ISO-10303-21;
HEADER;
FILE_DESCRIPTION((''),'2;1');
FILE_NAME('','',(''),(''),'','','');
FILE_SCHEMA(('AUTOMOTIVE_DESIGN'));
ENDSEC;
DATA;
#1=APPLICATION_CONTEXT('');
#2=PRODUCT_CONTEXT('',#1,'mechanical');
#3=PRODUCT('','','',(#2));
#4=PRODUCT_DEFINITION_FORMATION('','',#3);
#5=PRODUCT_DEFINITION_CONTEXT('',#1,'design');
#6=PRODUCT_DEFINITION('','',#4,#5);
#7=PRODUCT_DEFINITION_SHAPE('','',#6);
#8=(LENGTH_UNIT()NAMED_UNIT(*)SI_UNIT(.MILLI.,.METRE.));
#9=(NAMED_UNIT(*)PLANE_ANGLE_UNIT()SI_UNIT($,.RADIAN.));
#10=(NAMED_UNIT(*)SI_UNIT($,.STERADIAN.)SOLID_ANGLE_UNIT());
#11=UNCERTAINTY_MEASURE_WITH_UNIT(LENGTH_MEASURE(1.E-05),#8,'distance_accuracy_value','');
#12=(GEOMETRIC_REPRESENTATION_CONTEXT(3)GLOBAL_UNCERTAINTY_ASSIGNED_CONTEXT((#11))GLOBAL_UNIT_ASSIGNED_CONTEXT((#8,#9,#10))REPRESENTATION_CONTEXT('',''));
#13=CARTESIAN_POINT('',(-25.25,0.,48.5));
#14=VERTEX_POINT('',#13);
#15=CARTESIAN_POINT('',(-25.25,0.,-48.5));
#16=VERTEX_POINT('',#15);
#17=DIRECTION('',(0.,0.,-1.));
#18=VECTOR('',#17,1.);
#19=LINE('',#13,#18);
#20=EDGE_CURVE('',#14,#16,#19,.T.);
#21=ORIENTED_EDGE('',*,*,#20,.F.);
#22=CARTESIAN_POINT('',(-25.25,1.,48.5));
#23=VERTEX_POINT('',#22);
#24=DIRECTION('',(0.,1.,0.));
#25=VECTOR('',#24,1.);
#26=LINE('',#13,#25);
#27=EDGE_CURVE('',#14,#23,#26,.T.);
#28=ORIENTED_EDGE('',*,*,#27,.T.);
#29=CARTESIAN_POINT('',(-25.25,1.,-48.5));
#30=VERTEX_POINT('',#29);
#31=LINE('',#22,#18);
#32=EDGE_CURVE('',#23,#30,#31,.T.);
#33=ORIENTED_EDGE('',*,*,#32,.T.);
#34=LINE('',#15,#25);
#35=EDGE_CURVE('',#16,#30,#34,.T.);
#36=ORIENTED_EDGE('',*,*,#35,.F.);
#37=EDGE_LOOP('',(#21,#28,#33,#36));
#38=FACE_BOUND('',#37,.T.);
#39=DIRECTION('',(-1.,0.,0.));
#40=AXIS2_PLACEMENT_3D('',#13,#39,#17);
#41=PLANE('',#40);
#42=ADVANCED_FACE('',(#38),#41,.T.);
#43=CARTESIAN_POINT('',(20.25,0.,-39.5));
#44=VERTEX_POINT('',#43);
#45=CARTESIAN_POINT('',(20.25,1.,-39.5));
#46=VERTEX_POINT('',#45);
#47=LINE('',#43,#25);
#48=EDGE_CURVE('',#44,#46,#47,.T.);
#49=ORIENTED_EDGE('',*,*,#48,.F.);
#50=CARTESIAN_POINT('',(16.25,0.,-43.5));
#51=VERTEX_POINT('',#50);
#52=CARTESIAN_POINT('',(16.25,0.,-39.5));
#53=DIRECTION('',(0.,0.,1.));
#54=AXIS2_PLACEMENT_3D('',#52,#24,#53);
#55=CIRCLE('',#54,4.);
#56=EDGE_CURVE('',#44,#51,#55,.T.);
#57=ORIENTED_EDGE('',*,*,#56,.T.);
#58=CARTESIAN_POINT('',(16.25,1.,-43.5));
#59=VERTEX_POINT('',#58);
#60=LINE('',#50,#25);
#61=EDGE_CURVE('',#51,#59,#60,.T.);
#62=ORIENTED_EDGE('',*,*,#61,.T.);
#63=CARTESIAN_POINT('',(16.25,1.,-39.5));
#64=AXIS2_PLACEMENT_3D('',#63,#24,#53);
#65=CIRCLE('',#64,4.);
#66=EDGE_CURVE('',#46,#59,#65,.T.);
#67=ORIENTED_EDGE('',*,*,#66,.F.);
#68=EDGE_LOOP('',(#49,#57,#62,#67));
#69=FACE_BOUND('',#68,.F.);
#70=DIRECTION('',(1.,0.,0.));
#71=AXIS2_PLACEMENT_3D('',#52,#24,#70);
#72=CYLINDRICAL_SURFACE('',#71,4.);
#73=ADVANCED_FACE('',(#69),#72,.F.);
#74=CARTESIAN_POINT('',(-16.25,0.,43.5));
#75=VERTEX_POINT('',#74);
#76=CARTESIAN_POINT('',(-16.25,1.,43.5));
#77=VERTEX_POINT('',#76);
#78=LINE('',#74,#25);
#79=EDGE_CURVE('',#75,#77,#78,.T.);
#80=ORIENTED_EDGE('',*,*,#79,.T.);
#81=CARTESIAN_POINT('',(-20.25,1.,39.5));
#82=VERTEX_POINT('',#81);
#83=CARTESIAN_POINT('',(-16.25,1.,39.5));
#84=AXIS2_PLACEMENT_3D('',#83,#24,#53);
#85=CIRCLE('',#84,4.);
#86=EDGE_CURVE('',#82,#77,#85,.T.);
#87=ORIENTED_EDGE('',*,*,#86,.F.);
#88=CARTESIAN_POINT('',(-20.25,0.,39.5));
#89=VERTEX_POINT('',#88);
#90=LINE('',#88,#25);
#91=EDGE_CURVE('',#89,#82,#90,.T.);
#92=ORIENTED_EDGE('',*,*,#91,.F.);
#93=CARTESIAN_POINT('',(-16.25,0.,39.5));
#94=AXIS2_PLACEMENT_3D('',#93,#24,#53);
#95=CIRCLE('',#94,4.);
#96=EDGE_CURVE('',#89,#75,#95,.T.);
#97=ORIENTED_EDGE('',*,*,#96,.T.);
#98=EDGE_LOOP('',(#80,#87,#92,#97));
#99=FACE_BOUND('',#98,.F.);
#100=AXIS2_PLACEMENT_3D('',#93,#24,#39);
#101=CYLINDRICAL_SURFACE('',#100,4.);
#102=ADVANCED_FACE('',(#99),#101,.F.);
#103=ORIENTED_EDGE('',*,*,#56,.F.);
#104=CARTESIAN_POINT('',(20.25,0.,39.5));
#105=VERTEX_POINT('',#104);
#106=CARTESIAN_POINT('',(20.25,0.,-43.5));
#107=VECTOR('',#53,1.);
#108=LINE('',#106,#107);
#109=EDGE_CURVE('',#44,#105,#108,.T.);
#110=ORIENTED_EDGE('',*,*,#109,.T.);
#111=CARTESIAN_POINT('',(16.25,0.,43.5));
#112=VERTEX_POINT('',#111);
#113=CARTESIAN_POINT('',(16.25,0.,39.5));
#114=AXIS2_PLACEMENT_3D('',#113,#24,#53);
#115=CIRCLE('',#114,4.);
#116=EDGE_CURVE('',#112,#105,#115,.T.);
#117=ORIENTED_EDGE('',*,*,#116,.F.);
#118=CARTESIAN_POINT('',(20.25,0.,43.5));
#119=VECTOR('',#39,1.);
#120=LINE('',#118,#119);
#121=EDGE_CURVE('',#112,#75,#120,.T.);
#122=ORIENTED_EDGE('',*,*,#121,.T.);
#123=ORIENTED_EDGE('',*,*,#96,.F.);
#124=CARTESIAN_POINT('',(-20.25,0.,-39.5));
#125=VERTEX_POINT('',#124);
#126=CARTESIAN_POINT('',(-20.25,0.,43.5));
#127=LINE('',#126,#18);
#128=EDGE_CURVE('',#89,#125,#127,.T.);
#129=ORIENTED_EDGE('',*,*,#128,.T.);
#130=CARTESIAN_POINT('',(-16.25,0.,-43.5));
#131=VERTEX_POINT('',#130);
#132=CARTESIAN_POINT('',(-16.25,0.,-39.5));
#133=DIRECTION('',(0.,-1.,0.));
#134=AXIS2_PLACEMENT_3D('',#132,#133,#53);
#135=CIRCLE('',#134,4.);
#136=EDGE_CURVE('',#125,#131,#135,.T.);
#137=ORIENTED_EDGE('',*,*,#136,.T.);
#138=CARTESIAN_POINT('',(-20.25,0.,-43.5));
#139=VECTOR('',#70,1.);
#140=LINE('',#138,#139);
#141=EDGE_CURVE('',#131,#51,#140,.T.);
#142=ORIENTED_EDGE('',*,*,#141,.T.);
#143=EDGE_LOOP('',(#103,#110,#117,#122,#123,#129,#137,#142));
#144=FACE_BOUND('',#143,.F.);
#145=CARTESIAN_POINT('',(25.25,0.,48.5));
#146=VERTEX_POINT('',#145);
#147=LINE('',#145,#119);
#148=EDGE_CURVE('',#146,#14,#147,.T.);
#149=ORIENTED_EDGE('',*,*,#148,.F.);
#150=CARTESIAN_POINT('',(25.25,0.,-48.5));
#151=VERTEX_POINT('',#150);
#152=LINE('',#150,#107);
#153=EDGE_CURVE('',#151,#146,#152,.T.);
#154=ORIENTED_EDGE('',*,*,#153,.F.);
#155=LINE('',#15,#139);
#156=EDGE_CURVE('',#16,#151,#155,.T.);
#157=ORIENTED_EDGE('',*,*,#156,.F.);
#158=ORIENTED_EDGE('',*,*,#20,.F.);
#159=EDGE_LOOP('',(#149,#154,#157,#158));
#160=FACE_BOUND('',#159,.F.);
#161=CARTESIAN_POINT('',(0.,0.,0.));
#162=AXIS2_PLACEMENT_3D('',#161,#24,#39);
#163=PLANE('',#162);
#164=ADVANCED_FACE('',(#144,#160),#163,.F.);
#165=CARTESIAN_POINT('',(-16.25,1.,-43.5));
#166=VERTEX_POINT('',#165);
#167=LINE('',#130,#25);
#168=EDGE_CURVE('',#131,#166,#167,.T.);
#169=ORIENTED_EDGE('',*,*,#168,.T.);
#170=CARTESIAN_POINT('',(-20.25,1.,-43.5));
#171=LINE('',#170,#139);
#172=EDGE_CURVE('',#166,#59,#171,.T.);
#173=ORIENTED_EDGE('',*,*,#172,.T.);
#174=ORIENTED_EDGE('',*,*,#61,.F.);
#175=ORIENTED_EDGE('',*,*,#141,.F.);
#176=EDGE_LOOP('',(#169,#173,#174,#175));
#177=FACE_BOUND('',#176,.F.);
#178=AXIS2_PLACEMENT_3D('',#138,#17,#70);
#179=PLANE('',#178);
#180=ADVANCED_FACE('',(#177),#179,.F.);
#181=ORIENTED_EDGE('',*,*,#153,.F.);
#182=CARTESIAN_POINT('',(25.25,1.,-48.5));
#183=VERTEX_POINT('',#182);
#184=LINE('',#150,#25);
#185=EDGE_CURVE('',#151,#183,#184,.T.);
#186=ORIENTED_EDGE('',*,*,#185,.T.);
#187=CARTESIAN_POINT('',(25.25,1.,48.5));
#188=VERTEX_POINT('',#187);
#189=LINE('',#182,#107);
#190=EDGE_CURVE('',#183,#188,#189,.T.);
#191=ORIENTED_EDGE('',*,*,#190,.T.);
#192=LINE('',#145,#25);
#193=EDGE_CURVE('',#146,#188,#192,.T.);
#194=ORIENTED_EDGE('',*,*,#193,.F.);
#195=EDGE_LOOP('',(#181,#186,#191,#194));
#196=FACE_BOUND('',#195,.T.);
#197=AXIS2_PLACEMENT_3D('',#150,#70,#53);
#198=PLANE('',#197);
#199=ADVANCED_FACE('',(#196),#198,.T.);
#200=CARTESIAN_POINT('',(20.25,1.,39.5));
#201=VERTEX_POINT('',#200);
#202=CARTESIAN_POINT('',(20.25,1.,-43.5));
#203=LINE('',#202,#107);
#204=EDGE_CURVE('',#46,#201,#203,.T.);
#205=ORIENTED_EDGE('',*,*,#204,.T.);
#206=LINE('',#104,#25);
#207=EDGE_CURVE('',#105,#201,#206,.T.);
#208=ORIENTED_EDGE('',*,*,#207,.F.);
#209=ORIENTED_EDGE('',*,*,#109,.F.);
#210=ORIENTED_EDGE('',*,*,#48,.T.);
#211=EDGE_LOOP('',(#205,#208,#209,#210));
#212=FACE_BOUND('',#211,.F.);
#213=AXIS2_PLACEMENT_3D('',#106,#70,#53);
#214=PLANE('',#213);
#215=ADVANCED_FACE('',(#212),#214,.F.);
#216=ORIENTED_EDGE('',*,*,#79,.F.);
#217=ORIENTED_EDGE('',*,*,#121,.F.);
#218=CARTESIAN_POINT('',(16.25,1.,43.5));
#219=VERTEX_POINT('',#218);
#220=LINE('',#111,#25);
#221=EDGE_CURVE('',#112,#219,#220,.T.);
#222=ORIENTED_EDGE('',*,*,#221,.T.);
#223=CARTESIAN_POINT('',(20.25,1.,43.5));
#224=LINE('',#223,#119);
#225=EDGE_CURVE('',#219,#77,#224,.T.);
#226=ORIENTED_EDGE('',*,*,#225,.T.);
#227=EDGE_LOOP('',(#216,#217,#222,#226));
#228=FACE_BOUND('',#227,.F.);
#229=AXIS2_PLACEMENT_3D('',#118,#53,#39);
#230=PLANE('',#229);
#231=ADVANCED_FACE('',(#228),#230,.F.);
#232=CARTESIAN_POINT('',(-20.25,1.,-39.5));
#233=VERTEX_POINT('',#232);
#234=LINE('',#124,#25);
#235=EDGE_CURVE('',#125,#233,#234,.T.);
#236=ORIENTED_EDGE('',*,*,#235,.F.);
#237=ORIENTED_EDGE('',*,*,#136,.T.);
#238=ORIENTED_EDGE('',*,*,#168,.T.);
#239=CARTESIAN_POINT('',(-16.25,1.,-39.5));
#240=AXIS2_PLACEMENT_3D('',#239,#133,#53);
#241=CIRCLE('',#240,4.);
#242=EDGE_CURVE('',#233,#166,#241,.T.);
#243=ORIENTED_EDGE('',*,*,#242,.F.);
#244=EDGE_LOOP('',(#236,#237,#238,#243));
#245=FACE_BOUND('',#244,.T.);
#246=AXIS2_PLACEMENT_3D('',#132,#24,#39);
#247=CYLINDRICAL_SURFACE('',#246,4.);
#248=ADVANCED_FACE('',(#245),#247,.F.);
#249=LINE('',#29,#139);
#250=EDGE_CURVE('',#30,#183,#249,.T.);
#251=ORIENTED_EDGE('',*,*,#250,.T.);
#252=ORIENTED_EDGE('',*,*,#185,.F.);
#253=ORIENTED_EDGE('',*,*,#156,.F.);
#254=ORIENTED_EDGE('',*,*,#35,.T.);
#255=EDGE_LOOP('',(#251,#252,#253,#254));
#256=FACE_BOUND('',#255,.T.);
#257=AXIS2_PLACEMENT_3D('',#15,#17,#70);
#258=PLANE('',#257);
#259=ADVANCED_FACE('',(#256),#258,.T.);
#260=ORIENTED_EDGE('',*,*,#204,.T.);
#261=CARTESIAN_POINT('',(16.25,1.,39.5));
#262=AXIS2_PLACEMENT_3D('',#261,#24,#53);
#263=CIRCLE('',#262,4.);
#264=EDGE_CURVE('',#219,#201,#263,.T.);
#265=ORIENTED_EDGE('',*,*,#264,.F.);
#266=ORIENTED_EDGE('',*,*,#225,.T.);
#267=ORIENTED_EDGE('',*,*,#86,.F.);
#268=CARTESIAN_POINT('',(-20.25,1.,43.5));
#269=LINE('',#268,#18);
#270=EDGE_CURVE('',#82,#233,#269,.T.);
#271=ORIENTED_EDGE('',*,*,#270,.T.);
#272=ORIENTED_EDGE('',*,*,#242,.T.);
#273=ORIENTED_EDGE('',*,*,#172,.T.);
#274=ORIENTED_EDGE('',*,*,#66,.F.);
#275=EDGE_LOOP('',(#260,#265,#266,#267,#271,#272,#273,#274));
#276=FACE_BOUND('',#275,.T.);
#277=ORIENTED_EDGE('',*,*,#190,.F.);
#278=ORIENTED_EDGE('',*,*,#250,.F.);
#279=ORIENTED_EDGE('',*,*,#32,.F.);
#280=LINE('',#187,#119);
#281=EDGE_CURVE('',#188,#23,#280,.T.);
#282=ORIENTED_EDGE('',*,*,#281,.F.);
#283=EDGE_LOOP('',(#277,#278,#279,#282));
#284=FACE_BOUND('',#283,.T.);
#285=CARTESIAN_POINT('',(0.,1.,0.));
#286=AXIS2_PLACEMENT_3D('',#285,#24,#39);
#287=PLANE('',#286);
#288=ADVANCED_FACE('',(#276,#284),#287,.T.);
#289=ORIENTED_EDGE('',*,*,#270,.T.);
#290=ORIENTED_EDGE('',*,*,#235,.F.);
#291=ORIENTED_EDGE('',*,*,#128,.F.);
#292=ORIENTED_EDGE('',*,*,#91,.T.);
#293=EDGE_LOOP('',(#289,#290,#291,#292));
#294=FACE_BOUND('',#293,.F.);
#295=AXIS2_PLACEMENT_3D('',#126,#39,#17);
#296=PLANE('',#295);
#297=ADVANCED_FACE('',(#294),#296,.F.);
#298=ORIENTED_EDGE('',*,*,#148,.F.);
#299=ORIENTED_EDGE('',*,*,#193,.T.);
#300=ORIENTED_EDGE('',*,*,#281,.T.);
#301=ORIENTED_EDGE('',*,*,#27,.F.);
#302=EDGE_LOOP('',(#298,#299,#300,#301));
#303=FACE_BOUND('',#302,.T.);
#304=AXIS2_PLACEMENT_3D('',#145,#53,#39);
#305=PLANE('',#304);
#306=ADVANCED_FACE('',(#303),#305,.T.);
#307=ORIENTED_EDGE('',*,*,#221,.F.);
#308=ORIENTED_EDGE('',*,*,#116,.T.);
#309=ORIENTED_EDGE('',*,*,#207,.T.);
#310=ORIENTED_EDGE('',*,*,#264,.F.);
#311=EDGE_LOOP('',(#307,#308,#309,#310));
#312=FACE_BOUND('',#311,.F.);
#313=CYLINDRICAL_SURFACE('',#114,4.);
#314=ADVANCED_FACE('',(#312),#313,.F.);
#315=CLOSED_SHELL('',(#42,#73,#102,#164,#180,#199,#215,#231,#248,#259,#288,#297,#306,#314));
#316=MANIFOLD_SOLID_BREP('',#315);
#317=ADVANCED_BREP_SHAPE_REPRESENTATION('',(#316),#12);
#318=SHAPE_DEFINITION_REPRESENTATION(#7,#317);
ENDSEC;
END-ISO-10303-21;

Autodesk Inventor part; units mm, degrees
ref_plane "YZ Plane" through (0, 0, 0) normal (1, 0, 0) x (0, 1, 0)
ref_plane "XZ Plane" through (0, 0, 0) normal (0, 1, 0) x (-1, 0, 0)
ref_plane "XY Plane" through (0, 0, 0) normal (0, 0, 1) x (1, 0, 0)
sketch "Boceto1" plane through (0, 0, 0) normal (0, 1, 0) x (-1, 0, 0)
  line L0 (20.25, -43.5) -> (-20.25, -43.5)
  line L1 (-20.25, -43.5) -> (-20.25, 43.5)
  line L2 (-20.25, 43.5) -> (20.25, 43.5)
  line L3 (20.25, 43.5) -> (20.25, -43.5)
  line L4 (20.25, -43.5) -> (-20.25, 43.5) construction
  line L5 (-20.25, -43.5) -> (20.25, 43.5) construction
  line L6 (25.25, -48.5) -> (-25.25, -48.5)
  line L7 (-25.25, -48.5) -> (-25.25, 48.5)
  line L8 (-25.25, 48.5) -> (25.25, 48.5)
  line L9 (25.25, 48.5) -> (25.25, -48.5)
  point P0 (0, 0)
  dimension "d0" = 40.5
  dimension "d1" = 87
  dimension "d2" = 5
extrude "Extrusión1" add sketch "Boceto1" along normal blind 1
fillet "Empalme1" radius 4 4 edges at (-20.25, 0.5, -43.5) (-20.25, 0.5, 43.5) (20.25, 0.5, -43.5) (20.25, 0.5, 43.5)
properties part number "manija_puerta_marco_front_right"
